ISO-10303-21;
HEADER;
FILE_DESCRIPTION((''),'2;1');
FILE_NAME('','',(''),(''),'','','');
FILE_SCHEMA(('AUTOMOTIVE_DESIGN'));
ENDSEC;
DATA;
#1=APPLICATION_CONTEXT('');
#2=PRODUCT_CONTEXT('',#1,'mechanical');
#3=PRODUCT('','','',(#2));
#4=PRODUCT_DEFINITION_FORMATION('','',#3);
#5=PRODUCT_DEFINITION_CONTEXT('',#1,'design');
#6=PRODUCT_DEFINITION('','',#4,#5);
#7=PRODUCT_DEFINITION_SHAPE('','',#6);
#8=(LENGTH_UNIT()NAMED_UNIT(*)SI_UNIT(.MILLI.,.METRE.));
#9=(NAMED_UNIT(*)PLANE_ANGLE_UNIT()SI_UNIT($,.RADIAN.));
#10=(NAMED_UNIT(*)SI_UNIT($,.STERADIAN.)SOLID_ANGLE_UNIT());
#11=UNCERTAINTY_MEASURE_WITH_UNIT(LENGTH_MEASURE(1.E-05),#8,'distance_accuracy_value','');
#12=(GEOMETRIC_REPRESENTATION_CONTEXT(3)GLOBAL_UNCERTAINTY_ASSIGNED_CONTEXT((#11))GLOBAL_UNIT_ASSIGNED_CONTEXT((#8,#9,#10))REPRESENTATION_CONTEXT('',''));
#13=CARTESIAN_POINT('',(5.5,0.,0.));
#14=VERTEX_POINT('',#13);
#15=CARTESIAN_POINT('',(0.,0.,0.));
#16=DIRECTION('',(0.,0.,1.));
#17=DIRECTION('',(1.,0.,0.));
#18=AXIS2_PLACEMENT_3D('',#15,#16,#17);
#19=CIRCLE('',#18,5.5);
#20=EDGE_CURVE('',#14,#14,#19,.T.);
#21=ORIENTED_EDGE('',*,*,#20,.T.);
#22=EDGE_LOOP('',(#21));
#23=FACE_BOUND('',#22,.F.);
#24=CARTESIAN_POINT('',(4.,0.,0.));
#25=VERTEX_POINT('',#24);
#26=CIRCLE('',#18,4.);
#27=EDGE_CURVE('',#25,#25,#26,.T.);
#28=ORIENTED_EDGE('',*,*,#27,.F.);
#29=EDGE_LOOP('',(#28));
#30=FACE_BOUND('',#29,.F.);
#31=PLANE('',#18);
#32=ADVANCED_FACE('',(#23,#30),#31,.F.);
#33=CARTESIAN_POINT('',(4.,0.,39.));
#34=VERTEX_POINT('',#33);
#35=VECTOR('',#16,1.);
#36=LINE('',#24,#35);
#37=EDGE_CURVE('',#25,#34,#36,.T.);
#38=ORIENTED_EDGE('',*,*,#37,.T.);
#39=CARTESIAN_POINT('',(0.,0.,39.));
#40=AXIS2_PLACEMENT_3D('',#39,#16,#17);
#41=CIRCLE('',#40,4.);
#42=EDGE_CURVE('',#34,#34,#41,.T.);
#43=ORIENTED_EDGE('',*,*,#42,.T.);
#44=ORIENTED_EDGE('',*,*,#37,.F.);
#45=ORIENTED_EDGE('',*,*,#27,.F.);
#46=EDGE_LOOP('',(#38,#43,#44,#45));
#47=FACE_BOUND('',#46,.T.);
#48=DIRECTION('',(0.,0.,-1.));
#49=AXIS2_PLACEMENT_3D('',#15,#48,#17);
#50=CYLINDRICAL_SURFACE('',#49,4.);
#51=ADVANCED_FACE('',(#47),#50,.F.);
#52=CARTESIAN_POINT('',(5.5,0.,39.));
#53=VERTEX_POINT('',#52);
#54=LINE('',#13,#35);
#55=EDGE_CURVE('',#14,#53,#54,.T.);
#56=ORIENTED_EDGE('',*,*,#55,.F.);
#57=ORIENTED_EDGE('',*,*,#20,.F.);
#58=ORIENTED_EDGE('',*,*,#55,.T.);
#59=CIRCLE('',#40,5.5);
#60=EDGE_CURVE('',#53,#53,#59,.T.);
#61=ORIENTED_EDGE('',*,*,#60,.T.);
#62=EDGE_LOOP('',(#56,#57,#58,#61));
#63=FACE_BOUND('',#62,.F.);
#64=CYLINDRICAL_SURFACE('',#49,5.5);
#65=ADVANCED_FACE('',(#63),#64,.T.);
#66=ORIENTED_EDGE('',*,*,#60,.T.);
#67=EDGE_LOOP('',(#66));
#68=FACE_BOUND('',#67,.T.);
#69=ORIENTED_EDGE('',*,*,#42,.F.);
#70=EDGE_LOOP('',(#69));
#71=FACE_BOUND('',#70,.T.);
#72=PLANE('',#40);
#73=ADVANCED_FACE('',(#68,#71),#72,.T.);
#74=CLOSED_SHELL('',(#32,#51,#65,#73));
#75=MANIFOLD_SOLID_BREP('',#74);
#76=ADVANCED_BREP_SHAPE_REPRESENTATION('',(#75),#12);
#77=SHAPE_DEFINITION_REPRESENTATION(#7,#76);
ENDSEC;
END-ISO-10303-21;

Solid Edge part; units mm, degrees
sketch "Sketch1" plane through (0, 0, 0) normal (0, 0, 1) x (1, 0, 0)
  circle A0 centre (0, 0) radius 4
  circle A1 centre (0, 0) radius 5.5
  dimension "D1" = 11
  dimension "D2" = 8
extrude "Ajout_matière_1" add sketch "Sketch1" along normal blind 39
properties material "Acier S235"
